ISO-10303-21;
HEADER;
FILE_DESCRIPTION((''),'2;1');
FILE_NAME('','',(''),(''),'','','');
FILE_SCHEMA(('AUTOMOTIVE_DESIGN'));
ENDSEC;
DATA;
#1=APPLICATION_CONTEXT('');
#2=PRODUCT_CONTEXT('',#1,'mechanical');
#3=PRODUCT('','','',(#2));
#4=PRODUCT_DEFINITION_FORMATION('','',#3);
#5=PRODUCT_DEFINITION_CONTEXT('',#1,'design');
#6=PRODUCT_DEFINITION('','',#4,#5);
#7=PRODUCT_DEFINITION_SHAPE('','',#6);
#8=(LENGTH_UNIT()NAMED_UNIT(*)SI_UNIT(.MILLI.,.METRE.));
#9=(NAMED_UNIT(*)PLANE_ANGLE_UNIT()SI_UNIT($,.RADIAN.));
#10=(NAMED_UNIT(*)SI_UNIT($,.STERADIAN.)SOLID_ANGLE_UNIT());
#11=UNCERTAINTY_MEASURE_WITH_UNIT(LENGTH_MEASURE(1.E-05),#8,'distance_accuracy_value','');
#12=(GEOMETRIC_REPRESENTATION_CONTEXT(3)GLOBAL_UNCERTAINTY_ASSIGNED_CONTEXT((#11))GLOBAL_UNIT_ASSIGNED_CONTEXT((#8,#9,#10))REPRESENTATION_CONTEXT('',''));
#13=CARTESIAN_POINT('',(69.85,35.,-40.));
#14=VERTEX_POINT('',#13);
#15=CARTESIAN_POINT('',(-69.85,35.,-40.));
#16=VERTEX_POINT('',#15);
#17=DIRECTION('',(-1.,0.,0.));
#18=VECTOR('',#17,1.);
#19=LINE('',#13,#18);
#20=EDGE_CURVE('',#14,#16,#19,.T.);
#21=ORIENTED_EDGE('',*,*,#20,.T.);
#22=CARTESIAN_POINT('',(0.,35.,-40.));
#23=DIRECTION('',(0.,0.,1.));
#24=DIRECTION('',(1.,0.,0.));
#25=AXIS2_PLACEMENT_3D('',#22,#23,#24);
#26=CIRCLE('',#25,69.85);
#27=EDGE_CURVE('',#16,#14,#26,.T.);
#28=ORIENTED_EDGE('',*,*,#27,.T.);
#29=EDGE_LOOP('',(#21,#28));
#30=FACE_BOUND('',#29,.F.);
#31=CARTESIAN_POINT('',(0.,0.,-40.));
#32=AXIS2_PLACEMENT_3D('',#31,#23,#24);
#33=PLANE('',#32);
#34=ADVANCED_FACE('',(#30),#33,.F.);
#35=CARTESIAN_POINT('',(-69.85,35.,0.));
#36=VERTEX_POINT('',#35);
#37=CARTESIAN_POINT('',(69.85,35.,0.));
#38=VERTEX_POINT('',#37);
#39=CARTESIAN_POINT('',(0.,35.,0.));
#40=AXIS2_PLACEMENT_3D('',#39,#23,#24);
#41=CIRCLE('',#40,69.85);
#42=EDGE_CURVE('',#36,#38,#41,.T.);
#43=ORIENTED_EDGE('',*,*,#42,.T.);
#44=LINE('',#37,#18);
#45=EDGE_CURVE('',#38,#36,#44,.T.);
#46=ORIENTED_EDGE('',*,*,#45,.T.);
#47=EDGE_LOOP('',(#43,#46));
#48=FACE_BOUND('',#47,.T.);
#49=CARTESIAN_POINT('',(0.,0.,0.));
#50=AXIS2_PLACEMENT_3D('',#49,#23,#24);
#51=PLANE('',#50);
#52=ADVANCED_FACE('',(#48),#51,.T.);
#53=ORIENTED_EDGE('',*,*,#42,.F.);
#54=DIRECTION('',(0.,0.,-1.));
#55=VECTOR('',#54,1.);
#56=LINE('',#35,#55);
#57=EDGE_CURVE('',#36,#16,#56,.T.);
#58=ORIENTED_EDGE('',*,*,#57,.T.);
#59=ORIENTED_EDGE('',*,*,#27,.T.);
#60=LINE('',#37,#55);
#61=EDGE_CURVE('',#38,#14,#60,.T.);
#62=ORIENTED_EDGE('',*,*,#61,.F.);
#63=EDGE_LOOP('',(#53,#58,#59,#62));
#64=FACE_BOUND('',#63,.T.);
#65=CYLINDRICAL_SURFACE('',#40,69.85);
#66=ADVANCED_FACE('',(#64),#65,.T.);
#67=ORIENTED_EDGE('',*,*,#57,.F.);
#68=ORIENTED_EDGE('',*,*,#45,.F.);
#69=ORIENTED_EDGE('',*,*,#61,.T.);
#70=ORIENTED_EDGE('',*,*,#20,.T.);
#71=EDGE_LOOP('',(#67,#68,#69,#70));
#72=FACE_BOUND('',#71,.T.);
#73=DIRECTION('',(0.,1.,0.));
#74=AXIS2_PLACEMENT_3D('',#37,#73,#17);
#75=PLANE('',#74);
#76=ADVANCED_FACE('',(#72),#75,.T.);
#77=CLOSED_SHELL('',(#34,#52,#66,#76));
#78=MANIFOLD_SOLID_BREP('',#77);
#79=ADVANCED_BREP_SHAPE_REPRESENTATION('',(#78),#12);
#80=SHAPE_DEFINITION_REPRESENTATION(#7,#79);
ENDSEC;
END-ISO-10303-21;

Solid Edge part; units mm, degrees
sketch "Sketch1" plane through (0, 0, 0) normal (0, 0, 1) x (1, 0, 0)
  line L0 (-69.85, -35) -> (69.85, -35)
  line L1 (69.85, -35) -> (69.85, 35)
  line L2 (69.85, 35) -> (-69.85, 35)
  line L3 (-69.85, 35) -> (-69.85, -35)
extrude "Protrusion1" add sketch "Sketch1" against normal blind 40
sketch "Sketch2" plane through (0, 0, 0) normal (0, 0, 1) x (1, 0, 0)
  arc A0 (-69.85, 35) -> (69.85, 35) centre (0, 35) ccw
  line L0 (69.85, -35) -> (69.85, 35)
  line L1 (-69.85, -35) -> (69.85, -35)
  line L2 (-69.85, 35) -> (-69.85, -35)
extrude "Recorte_Extrudado_1" cut sketch "Sketch2" against normal blind 73.1234
